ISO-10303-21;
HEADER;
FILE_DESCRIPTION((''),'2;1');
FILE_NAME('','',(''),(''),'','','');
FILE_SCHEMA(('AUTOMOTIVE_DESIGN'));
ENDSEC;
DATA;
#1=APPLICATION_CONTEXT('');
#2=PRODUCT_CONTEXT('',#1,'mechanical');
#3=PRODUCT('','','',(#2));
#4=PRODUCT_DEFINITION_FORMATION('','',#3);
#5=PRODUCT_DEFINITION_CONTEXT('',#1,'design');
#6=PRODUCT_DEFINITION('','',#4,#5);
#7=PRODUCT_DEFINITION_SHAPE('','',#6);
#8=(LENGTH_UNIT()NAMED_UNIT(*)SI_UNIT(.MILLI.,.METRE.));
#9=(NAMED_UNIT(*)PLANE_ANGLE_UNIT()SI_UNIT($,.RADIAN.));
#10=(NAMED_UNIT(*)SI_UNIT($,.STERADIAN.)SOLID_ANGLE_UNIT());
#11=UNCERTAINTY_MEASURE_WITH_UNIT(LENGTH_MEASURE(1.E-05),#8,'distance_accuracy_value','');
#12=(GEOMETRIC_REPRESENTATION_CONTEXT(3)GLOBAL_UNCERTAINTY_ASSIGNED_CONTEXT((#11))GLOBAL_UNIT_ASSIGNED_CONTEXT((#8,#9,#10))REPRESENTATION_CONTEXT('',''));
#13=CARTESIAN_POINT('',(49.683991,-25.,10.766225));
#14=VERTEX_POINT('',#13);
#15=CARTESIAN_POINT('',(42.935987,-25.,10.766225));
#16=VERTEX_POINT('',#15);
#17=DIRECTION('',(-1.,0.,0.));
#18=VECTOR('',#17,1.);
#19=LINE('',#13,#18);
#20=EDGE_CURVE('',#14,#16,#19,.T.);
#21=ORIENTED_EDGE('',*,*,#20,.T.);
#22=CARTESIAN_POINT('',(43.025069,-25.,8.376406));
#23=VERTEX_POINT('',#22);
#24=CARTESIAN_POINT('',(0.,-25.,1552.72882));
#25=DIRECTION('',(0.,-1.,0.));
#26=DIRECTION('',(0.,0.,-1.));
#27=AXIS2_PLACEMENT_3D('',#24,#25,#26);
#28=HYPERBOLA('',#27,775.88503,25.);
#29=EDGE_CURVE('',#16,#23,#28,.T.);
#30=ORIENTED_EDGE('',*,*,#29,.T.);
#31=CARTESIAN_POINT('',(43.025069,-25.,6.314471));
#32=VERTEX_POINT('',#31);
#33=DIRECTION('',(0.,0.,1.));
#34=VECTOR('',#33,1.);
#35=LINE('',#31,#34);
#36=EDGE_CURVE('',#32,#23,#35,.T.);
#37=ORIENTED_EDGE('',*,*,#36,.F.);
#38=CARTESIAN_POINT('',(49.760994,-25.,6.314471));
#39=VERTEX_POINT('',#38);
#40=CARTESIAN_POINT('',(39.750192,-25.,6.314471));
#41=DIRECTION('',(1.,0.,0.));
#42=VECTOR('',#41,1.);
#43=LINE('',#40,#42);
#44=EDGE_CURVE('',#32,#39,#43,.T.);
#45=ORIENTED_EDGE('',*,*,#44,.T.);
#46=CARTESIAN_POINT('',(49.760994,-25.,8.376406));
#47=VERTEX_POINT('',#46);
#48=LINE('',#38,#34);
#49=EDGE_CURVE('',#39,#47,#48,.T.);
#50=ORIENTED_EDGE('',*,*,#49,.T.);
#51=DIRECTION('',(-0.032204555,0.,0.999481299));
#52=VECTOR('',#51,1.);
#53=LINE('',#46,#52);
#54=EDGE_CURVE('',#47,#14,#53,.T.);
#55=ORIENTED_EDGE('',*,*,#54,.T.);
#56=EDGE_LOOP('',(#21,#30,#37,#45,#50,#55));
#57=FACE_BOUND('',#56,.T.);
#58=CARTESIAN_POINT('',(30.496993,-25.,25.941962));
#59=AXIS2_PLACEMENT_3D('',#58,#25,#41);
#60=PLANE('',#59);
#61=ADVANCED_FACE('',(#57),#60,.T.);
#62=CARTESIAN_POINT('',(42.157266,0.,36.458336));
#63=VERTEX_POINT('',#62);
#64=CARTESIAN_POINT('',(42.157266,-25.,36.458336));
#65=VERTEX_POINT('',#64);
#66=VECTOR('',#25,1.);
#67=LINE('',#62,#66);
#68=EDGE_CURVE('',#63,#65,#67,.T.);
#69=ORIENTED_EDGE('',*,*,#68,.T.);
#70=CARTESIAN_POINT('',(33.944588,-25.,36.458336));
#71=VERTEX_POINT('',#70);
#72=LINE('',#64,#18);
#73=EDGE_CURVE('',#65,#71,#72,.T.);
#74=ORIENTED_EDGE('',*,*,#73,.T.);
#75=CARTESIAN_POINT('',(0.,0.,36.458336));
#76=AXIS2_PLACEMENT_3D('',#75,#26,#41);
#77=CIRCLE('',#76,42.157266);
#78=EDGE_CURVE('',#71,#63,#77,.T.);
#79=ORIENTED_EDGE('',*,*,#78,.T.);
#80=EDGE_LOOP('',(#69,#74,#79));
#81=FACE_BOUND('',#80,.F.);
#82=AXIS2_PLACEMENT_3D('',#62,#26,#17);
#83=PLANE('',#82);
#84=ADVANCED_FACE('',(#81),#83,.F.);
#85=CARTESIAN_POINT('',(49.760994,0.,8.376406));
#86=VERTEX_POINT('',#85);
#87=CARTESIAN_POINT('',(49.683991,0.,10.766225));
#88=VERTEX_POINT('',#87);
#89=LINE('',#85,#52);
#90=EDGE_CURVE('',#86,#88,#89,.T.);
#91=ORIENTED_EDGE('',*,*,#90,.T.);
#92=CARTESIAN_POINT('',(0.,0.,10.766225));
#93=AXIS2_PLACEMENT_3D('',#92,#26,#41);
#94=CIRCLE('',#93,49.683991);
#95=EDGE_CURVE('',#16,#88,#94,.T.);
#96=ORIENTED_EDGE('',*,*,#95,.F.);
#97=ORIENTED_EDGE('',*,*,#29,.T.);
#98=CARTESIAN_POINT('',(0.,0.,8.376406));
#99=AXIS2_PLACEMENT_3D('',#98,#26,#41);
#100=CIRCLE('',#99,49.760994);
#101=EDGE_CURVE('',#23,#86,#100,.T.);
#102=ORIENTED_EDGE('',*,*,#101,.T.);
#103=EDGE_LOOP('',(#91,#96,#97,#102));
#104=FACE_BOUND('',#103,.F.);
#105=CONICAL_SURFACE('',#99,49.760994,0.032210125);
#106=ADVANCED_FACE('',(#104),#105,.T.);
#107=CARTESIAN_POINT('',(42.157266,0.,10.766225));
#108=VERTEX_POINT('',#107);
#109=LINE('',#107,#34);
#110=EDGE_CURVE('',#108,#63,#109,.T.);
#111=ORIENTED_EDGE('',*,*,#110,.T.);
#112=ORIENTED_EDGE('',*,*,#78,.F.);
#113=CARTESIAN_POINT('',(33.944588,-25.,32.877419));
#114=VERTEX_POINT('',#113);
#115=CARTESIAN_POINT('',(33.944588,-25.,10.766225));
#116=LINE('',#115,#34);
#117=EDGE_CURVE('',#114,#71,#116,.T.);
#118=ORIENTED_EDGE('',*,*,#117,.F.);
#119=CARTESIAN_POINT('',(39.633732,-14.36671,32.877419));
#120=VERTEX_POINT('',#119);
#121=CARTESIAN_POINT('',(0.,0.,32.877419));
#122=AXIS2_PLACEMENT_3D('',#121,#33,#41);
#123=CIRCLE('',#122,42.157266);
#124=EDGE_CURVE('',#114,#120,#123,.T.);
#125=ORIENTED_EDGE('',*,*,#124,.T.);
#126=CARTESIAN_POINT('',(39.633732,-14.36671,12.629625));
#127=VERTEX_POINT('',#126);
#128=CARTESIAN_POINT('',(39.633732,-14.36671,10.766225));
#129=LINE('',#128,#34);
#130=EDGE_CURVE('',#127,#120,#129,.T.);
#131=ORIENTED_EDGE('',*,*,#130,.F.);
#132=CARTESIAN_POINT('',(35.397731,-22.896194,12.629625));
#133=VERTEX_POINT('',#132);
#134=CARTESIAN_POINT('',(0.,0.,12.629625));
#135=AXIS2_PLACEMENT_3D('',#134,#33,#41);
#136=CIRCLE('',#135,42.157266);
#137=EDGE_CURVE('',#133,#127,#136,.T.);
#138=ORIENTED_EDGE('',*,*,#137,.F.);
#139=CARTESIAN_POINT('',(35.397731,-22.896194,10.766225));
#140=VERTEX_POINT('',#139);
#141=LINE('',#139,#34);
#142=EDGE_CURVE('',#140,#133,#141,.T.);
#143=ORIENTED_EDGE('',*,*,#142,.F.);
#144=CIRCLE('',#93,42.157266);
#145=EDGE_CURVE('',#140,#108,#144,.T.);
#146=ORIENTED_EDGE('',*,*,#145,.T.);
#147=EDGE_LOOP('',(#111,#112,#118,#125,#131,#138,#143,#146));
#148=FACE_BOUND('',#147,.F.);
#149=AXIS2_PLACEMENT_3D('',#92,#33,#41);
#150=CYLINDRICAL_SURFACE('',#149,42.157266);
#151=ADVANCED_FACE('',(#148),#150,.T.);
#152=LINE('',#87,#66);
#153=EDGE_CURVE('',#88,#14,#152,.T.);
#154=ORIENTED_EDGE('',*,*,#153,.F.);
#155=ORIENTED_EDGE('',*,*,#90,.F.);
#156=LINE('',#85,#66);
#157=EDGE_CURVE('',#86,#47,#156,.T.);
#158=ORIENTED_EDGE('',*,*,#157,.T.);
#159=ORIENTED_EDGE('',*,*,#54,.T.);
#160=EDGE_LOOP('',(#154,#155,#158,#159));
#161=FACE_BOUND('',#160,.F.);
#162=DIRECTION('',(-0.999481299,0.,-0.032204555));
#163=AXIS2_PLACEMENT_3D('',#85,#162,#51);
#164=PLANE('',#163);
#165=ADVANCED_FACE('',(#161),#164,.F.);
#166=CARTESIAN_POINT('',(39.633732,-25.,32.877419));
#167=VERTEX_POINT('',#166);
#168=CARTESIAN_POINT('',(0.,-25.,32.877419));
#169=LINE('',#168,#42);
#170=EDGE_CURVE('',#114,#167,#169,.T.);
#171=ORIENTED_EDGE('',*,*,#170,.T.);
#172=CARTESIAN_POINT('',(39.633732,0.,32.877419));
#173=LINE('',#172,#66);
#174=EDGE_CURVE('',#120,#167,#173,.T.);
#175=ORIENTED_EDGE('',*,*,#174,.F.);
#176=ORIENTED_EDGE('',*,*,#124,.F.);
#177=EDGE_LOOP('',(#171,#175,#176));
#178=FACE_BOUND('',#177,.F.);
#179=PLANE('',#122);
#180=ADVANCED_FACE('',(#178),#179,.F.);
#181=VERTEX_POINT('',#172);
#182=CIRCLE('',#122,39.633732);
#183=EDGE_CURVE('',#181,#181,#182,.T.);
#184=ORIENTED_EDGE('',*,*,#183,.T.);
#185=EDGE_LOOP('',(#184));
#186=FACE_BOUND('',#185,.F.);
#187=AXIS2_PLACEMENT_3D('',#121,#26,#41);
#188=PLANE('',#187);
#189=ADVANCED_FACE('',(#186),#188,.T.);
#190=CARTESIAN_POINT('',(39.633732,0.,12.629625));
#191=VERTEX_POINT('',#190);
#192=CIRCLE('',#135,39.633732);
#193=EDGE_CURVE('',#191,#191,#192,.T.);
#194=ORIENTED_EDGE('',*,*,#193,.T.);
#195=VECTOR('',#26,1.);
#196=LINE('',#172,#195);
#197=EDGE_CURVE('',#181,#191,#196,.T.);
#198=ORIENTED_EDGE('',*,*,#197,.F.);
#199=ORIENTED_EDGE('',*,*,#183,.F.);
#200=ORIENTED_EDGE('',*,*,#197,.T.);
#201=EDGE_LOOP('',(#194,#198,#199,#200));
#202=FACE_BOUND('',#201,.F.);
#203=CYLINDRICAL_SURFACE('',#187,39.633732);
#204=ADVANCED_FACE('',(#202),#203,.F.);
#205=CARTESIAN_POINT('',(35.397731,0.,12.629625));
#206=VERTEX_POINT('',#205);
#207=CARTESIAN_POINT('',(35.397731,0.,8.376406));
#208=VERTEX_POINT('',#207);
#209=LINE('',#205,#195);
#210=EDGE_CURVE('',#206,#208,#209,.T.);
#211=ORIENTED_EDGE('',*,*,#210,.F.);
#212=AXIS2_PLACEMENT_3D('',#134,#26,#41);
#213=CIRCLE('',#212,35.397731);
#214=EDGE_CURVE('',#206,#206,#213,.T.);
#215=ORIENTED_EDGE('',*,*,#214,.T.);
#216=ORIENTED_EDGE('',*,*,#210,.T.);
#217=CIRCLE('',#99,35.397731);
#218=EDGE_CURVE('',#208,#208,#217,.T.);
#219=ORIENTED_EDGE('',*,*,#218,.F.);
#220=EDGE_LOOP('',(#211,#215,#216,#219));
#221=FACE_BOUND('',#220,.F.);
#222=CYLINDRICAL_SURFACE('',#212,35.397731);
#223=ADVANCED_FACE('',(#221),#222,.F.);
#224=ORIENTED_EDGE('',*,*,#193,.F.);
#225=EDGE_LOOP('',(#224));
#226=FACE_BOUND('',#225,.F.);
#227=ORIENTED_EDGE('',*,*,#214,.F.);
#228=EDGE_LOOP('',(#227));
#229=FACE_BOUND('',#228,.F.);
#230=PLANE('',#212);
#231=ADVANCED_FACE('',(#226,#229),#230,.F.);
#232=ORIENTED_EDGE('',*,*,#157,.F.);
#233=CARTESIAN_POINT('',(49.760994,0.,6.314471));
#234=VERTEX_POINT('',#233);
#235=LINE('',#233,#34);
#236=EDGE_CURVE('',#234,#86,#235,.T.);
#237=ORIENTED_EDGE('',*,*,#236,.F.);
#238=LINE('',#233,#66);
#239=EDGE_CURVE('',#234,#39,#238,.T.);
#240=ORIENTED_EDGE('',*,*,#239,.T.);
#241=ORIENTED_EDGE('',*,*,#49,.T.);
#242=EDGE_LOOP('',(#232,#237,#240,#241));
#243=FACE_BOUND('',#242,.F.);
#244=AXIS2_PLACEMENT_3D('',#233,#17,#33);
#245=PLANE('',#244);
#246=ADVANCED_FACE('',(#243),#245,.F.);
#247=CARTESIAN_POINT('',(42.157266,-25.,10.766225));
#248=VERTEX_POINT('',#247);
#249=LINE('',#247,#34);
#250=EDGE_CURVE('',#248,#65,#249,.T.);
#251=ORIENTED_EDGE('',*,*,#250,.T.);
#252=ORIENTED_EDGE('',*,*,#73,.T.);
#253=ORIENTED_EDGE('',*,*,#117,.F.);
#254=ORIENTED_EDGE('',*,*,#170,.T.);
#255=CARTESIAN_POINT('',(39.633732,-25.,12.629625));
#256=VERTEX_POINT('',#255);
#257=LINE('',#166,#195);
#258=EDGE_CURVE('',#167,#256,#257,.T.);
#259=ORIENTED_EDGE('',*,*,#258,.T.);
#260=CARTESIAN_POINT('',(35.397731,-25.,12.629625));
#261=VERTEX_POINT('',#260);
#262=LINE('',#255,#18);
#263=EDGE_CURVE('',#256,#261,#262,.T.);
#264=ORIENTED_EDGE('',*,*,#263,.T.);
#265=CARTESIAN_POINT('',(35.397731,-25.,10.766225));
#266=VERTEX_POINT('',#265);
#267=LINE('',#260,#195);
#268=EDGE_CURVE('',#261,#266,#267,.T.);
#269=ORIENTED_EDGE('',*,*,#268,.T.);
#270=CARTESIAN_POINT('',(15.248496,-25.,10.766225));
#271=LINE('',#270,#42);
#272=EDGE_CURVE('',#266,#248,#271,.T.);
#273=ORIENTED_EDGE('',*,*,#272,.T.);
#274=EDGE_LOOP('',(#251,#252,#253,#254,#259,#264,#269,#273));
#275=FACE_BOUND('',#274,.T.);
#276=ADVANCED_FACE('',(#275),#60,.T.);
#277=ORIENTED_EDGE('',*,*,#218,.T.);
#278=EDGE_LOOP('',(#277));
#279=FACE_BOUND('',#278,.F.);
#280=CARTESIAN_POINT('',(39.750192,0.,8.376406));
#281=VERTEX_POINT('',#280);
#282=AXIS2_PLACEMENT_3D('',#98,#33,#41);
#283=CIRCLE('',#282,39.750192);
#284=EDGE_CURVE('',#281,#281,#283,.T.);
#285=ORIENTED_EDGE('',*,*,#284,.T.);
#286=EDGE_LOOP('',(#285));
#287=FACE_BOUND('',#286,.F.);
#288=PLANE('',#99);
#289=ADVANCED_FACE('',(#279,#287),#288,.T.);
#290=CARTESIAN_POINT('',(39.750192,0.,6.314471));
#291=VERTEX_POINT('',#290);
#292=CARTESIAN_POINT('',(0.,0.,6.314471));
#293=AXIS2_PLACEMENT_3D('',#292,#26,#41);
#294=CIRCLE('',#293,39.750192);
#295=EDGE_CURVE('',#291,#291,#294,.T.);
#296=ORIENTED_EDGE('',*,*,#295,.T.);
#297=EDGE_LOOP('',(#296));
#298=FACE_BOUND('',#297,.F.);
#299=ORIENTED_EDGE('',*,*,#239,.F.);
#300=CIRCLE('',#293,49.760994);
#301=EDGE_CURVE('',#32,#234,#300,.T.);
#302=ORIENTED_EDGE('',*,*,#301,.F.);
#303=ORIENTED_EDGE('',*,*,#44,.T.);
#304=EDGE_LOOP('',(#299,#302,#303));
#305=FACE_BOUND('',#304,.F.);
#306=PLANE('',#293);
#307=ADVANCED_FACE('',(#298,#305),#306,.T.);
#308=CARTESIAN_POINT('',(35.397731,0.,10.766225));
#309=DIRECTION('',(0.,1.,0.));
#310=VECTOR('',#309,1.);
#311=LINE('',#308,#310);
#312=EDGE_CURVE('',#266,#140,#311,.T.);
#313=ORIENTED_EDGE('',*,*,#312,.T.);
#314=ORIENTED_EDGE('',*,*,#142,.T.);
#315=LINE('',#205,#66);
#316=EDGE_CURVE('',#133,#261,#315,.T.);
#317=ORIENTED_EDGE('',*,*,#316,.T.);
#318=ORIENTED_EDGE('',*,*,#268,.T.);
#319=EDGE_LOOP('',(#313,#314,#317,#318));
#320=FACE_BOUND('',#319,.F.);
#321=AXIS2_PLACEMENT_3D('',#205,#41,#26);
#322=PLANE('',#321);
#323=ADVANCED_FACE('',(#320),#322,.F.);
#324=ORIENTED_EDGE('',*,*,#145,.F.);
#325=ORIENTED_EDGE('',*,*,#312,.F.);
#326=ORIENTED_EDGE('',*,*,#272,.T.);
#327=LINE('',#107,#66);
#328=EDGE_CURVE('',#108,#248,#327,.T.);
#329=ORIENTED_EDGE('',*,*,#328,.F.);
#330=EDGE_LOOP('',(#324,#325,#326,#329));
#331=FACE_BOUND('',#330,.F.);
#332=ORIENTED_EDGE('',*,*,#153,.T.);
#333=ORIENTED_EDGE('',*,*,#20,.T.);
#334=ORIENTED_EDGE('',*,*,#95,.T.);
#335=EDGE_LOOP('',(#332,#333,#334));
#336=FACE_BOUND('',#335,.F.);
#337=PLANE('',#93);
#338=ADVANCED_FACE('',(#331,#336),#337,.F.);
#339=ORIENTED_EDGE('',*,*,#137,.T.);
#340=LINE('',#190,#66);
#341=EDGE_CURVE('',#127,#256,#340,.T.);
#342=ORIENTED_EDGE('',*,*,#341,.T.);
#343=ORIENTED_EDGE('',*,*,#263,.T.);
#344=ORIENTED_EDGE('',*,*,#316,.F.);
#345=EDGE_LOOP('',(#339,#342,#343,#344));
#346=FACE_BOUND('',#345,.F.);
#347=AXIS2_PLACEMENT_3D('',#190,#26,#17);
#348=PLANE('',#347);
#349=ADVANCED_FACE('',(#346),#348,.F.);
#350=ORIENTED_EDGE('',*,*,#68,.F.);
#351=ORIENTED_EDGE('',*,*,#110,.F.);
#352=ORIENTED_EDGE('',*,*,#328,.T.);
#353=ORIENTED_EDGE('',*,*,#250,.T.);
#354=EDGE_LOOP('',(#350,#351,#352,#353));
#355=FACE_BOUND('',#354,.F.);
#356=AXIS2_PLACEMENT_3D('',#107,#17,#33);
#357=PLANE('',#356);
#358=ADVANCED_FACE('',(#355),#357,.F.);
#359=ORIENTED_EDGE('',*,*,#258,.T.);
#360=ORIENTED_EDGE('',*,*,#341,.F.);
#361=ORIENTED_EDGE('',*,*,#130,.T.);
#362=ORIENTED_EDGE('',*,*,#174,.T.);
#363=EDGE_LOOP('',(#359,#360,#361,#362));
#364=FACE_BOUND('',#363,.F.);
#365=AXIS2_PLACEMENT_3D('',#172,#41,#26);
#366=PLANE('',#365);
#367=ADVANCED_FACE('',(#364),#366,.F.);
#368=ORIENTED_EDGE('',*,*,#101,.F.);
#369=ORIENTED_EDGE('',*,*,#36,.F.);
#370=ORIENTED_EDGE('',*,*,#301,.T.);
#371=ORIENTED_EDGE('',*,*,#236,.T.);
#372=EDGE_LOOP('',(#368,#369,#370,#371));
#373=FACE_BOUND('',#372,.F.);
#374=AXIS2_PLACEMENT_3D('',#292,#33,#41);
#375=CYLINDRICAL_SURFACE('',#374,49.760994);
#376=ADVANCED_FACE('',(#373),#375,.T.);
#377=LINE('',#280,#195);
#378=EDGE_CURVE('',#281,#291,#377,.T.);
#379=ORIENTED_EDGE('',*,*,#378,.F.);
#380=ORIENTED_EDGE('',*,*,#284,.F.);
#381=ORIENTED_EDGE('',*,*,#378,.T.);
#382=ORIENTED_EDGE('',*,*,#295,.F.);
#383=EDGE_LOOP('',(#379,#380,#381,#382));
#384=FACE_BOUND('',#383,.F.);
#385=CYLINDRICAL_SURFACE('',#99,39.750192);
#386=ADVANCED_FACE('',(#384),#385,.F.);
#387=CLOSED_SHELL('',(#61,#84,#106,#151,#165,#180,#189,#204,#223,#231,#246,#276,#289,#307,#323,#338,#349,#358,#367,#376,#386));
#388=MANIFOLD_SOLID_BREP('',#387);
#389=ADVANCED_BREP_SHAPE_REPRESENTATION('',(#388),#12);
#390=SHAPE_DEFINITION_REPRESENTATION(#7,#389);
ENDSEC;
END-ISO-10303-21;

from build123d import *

# Parameters (mm, degrees)
F1_DEPTH = 25


with BuildPart() as f1:
    # F0 (on Front) → F1 (new body)
    with BuildSketch(Plane.XZ):
        Polygon((42.157266, 36.458336), (0, 36.458336), (0, 32.877419), (39.633732, 32.877419), (39.633732, 12.629625), (35.397731, 12.629625), (35.397731, 8.376406), (39.750192, 8.376406), (39.750192, 6.429029), (39.750192, 6.314471), (49.760994, 6.314471), (49.760994, 8.376406), (49.683991, 10.766225), (42.157266, 10.766225), (42.157266, 12.629625), (42.157266, 14.715909), align=None)
    extrude(amount=F1_DEPTH)

    # F0 (on Front) → F2 (revolve)
    with BuildSketch(Plane.XZ):
        Polygon((42.157266, 36.458336), (0, 36.458336), (0, 32.877419), (39.633732, 32.877419), (39.633732, 12.629625), (35.397731, 12.629625), (35.397731, 8.376406), (39.750192, 8.376406), (39.750192, 6.429029), (39.750192, 6.314471), (49.760994, 6.314471), (49.760994, 8.376406), (49.683991, 10.766225), (42.157266, 10.766225), (42.157266, 12.629625), (42.157266, 14.715909), align=None)
    revolve(axis=Axis((0, 0, 20.221634), (0, 0, -1)))


solid = f1.part
